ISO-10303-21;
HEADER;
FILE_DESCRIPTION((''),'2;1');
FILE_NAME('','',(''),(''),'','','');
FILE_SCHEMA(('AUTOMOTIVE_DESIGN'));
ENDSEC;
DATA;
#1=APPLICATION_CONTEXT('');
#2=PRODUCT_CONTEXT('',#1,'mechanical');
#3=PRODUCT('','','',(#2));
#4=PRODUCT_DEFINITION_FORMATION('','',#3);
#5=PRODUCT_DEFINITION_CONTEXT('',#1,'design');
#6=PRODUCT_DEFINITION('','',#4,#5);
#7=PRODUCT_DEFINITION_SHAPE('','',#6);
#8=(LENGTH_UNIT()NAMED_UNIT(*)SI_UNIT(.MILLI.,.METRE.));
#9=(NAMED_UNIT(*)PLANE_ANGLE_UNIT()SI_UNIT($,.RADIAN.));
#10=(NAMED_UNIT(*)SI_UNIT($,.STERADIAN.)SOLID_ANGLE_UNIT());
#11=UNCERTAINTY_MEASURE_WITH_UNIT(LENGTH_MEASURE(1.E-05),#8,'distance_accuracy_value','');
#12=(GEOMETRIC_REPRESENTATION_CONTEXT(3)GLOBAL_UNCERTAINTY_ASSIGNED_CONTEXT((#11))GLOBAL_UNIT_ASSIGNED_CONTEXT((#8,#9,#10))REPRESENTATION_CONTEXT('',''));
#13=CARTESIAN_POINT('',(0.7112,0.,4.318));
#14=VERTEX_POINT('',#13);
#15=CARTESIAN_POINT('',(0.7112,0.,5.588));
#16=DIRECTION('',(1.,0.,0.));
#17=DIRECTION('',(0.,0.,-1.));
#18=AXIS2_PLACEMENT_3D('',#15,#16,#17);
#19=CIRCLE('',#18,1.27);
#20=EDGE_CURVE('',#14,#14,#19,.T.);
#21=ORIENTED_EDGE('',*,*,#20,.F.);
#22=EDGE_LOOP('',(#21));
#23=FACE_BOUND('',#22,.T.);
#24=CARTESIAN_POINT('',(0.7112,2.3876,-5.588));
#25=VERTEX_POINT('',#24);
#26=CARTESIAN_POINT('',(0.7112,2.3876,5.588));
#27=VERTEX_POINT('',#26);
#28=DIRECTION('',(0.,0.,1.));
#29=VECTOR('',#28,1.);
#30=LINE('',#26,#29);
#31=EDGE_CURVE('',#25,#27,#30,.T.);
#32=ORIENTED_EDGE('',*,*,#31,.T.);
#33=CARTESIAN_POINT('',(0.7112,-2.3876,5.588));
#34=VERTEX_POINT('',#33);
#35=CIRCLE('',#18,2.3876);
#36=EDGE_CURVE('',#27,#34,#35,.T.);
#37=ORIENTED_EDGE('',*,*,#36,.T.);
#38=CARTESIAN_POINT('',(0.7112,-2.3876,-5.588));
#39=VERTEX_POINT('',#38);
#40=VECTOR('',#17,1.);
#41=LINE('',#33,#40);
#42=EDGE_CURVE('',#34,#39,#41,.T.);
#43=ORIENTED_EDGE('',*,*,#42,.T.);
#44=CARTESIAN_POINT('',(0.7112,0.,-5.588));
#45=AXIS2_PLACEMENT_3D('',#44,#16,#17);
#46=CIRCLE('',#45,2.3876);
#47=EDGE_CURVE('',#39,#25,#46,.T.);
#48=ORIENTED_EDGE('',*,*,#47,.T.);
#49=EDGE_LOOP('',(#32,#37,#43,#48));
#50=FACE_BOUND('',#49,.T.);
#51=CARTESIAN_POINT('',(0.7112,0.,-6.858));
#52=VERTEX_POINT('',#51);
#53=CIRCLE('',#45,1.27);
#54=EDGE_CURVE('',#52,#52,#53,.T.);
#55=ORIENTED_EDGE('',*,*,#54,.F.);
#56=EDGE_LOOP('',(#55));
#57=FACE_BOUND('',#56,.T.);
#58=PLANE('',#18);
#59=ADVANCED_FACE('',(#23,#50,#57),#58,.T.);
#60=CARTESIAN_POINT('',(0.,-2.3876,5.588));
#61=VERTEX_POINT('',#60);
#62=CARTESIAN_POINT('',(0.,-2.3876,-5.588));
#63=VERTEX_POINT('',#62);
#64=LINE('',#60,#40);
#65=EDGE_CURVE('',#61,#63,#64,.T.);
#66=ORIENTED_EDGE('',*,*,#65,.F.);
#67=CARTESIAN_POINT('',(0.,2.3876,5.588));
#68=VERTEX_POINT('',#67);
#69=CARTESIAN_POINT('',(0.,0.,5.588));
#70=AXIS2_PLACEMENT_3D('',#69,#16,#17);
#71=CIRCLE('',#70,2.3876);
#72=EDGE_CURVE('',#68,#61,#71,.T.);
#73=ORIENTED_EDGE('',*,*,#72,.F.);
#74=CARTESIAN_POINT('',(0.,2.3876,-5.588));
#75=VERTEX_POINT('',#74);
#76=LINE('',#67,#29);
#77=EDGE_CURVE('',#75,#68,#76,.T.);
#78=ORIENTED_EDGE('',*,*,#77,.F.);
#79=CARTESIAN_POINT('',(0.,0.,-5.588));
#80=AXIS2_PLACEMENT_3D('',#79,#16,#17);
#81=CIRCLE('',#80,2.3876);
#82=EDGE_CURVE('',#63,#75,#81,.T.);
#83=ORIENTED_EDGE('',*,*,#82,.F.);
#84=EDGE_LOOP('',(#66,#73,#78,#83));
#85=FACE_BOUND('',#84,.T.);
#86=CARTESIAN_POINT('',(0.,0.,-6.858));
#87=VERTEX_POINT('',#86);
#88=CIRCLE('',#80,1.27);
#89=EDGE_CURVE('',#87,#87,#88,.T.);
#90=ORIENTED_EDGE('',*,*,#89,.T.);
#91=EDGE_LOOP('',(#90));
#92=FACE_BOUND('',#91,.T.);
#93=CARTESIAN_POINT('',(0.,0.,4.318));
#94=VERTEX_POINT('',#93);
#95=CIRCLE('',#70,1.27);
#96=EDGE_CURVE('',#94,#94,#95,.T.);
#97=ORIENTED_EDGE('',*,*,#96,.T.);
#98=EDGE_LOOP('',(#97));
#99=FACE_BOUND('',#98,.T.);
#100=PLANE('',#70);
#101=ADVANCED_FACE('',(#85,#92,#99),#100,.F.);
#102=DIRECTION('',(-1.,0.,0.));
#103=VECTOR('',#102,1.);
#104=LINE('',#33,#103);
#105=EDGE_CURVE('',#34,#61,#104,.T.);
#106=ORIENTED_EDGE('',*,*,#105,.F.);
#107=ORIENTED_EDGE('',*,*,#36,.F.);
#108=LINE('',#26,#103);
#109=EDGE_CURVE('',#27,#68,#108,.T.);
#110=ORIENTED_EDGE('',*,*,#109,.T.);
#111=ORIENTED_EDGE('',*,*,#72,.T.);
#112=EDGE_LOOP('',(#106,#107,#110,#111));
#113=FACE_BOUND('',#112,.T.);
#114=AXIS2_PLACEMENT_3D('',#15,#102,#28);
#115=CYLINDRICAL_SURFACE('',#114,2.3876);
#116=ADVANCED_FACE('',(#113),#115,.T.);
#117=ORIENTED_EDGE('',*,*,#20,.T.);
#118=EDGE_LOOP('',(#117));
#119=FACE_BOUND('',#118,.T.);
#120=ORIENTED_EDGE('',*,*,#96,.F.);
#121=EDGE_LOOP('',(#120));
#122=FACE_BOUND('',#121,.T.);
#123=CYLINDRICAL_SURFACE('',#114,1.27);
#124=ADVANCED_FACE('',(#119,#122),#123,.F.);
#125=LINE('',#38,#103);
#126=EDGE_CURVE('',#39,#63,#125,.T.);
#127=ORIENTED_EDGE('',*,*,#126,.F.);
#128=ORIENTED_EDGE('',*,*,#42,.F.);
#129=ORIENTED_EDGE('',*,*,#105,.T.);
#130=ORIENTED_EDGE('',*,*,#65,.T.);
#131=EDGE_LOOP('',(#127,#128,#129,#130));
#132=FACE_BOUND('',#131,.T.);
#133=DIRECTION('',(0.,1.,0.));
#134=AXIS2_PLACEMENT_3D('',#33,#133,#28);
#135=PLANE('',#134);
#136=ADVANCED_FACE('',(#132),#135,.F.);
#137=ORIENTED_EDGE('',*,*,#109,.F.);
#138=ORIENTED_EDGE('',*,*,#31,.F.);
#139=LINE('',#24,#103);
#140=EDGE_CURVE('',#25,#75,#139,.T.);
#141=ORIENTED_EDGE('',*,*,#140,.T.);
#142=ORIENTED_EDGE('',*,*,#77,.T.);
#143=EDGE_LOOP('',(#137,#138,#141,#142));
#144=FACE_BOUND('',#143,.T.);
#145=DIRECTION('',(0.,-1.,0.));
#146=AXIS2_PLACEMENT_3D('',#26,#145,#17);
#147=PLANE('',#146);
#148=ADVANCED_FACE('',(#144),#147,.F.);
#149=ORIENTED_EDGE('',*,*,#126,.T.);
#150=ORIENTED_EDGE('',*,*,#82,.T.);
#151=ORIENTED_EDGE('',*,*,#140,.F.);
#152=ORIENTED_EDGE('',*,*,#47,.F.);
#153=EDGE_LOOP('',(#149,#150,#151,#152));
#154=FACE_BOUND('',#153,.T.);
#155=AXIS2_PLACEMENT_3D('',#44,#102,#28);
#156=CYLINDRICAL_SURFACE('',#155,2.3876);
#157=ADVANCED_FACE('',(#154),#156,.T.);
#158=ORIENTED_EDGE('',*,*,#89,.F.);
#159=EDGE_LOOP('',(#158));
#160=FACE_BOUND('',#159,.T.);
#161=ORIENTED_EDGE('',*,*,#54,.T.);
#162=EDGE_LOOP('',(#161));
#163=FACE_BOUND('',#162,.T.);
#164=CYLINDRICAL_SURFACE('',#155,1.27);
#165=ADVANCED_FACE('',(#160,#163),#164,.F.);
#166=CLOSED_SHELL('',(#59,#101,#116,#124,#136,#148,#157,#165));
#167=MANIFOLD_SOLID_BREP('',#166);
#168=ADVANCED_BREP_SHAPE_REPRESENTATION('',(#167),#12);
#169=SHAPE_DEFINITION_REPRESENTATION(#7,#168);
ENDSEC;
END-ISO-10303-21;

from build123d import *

# Parameters (mm, degrees)
SKETCH1_R           = 1.27
BOSS_EXTRUDE1_DEPTH = 0.7112


with BuildPart() as part:
    # Sketch1 → Boss-Extrude1 (new body)
    with BuildSketch(Plane(origin=(0, 0, 0), x_dir=(0, 0, -1), z_dir=(1, 0, 0))):
        with BuildLine():
            Line((-5.588, 2.3876), (5.588, 2.3876))
            ThreePointArc((5.588, 2.3876), (7.9756, 0), (5.588, -2.3876))
            Line((5.588, -2.3876), (-5.588, -2.3876))
            ThreePointArc((-5.588, -2.3876), (-7.9756, 0), (-5.588, 2.3876))
        make_face()
        with Locations((5.588, 0)):
            Circle(SKETCH1_R, mode=Mode.SUBTRACT)
        with Locations((-5.588, 0)):
            Circle(SKETCH1_R, mode=Mode.SUBTRACT)
    extrude(amount=BOSS_EXTRUDE1_DEPTH)


solid = part.part
